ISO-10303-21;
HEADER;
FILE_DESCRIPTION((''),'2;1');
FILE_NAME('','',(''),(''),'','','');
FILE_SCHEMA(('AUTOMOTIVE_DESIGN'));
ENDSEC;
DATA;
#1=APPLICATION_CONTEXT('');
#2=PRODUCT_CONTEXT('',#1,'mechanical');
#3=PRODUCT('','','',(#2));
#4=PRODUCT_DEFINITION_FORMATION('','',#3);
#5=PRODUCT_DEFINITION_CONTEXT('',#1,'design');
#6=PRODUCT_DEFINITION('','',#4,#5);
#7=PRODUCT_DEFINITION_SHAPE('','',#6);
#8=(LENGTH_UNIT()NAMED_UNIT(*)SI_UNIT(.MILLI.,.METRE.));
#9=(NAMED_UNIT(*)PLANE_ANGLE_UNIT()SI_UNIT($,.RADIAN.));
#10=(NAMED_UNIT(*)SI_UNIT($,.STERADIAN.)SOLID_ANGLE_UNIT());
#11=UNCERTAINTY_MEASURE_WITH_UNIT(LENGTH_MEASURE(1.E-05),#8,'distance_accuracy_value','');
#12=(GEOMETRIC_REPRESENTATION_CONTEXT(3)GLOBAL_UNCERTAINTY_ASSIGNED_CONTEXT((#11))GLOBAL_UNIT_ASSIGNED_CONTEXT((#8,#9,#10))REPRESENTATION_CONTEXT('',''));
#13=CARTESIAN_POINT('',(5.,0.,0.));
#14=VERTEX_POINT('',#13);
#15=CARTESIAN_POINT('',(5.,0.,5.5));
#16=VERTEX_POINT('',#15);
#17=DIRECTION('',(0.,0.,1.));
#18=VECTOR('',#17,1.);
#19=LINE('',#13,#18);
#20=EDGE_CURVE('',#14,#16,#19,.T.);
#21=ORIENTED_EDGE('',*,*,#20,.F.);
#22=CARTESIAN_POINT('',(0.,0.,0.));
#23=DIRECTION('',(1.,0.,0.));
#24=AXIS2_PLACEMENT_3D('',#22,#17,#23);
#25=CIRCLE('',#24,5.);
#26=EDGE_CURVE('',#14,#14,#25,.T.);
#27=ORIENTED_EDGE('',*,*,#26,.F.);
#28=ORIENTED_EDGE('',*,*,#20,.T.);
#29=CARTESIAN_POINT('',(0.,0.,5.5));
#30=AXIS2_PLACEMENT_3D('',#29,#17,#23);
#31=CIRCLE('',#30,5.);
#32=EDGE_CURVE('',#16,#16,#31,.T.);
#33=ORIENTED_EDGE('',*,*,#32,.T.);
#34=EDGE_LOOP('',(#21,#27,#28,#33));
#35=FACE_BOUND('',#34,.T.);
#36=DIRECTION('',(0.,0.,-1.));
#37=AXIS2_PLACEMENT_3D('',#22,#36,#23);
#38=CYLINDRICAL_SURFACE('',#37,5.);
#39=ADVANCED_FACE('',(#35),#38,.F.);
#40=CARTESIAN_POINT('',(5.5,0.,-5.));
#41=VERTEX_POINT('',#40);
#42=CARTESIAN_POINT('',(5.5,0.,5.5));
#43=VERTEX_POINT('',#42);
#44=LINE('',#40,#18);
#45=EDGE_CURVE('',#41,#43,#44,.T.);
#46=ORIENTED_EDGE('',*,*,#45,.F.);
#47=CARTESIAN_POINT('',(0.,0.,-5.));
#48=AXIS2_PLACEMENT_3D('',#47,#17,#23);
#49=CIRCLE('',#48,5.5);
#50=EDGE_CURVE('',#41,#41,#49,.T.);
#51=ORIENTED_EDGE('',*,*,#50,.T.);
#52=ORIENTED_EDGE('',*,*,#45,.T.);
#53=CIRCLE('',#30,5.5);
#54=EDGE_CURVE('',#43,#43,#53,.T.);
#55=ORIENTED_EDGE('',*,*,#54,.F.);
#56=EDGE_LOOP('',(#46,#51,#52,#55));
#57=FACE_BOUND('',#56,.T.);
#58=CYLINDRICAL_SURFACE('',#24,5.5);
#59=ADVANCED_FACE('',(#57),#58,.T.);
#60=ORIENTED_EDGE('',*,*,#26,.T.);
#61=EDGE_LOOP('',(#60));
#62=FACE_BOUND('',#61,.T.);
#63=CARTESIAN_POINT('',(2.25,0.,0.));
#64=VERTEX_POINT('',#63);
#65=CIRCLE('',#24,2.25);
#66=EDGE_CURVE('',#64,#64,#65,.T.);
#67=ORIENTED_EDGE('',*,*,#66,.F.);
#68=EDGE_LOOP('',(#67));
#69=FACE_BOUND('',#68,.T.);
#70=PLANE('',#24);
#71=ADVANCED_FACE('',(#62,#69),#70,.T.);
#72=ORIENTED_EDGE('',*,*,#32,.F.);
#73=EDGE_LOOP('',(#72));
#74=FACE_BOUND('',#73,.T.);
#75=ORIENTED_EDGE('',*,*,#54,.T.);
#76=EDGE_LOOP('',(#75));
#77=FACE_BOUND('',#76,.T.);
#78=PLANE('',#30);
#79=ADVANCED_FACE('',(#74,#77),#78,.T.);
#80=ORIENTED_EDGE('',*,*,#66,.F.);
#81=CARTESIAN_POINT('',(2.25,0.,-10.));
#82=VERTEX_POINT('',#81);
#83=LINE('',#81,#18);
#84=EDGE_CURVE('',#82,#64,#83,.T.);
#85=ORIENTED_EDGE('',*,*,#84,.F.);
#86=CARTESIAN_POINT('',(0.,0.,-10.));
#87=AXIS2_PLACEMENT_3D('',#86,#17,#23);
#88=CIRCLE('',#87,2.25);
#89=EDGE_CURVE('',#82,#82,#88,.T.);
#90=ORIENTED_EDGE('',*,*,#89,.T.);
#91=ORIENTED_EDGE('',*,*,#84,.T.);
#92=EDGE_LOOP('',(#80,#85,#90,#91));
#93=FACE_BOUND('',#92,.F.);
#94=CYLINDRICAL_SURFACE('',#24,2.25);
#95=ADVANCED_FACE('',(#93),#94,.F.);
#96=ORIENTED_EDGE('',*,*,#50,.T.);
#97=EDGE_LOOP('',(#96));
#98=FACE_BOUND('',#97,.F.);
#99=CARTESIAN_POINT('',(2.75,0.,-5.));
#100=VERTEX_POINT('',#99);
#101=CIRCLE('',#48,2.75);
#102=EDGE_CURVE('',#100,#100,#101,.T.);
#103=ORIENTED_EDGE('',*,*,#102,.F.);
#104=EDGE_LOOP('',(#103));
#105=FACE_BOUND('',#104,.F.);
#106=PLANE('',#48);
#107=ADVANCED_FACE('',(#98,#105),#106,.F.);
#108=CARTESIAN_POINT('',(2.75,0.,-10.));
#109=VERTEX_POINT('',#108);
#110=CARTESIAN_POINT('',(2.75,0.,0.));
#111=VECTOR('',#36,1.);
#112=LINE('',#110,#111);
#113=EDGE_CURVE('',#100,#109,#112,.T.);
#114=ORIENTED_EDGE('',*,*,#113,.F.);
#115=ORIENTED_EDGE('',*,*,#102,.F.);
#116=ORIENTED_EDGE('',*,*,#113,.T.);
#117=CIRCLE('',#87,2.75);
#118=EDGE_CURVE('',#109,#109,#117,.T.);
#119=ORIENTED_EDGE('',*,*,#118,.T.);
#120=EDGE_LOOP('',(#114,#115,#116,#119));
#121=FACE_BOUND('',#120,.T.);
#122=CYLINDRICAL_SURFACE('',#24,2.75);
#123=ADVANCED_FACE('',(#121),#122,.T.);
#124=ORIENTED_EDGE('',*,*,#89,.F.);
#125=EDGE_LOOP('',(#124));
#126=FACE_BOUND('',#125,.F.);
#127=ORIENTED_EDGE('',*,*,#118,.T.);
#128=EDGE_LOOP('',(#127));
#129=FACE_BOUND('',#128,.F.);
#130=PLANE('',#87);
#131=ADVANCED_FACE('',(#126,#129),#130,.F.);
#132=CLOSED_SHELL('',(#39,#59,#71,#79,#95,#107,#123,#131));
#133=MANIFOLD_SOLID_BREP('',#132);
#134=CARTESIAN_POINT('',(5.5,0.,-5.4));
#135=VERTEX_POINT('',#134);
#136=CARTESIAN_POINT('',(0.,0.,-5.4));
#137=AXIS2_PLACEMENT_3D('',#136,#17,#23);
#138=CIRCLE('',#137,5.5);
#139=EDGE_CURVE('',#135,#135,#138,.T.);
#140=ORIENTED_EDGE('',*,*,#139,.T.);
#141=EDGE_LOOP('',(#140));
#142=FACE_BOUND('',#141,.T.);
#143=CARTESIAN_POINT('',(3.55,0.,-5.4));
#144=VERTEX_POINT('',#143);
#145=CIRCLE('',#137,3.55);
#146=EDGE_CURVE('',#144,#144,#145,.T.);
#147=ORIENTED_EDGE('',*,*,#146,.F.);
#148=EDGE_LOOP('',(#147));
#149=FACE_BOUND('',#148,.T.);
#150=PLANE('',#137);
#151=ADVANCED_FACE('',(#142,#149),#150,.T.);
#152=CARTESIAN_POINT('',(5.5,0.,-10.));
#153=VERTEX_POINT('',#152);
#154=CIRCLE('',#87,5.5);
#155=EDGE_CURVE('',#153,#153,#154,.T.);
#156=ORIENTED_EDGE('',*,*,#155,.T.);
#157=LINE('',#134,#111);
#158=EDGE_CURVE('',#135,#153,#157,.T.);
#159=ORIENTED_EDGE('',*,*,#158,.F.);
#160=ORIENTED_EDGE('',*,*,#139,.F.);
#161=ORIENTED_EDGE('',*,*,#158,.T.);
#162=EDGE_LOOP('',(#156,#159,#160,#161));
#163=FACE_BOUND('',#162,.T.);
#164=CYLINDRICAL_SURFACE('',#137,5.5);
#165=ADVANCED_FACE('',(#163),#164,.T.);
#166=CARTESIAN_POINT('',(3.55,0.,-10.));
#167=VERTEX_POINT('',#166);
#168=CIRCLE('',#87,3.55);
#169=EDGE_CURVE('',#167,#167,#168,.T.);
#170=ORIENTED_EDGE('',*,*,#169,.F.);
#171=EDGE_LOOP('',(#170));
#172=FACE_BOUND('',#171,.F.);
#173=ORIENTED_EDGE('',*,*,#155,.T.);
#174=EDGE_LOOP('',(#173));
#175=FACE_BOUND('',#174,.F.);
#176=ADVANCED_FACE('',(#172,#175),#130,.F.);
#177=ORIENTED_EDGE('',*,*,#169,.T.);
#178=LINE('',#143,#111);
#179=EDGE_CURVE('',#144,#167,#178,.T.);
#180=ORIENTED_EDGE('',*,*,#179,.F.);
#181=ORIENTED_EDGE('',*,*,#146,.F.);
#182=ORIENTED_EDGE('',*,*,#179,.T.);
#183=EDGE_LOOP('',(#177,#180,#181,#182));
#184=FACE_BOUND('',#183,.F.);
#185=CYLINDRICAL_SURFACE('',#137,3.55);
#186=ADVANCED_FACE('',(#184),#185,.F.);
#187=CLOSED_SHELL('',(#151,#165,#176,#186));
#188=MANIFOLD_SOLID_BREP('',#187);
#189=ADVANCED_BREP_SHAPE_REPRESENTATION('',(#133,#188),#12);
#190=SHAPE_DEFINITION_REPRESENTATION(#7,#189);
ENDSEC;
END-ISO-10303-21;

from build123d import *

# Parameters (mm, degrees)
F0_R     = 5.5
F0_R_2   = 5
F1_DEPTH = 5.5
F0_R_3   = 3.55
F0_R_4   = 2.75
F0_R_5   = 2.25
F2_DEPTH = 5
F3_DEPTH = 10
F4_DEPTH = 5
F5_START = -5.4
F5_DEPTH = 4.6


with BuildPart() as f1:
    # F0 (on Top) → F1 (new body)
    with BuildSketch(Plane.XY):
        Circle(F0_R)
        Circle(F0_R_2, mode=Mode.SUBTRACT)
    extrude(amount=F1_DEPTH)



with BuildPart() as f2:
    # F0 (on Top) → F2 (new body)
    with BuildSketch(Plane.XY):
        Circle(F0_R_2)
        Circle(F0_R_3, mode=Mode.SUBTRACT)
        Circle(F0_R_3)
        Circle(F0_R_4, mode=Mode.SUBTRACT)
        Circle(F0_R_4)
        Circle(F0_R_5, mode=Mode.SUBTRACT)
    extrude(amount=-F2_DEPTH)

    # F0 (on Top) → F3 (join)
    with BuildSketch(Plane.XY):
        Circle(F0_R_4)
        Circle(F0_R_5, mode=Mode.SUBTRACT)
    extrude(amount=-F3_DEPTH)


with BuildPart() as f1_1:
    add(f1.part)

    add(f2.part)  # F4 merges F2
    # F0 (on Top) → F4 (join)
    with BuildSketch(Plane.XY):
        Circle(F0_R)
        Circle(F0_R_2, mode=Mode.SUBTRACT)
    extrude(amount=-F4_DEPTH)


with BuildPart() as f5:
    # F0 (on Top) → F5 (new body)
    with BuildSketch(Plane.XY.offset(F5_START)):
        Circle(F0_R)
        Circle(F0_R_2, mode=Mode.SUBTRACT)
        Circle(F0_R_2)
        Circle(F0_R_3, mode=Mode.SUBTRACT)
    extrude(amount=-F5_DEPTH)


solid = Compound([f1_1.part, f5.part])
